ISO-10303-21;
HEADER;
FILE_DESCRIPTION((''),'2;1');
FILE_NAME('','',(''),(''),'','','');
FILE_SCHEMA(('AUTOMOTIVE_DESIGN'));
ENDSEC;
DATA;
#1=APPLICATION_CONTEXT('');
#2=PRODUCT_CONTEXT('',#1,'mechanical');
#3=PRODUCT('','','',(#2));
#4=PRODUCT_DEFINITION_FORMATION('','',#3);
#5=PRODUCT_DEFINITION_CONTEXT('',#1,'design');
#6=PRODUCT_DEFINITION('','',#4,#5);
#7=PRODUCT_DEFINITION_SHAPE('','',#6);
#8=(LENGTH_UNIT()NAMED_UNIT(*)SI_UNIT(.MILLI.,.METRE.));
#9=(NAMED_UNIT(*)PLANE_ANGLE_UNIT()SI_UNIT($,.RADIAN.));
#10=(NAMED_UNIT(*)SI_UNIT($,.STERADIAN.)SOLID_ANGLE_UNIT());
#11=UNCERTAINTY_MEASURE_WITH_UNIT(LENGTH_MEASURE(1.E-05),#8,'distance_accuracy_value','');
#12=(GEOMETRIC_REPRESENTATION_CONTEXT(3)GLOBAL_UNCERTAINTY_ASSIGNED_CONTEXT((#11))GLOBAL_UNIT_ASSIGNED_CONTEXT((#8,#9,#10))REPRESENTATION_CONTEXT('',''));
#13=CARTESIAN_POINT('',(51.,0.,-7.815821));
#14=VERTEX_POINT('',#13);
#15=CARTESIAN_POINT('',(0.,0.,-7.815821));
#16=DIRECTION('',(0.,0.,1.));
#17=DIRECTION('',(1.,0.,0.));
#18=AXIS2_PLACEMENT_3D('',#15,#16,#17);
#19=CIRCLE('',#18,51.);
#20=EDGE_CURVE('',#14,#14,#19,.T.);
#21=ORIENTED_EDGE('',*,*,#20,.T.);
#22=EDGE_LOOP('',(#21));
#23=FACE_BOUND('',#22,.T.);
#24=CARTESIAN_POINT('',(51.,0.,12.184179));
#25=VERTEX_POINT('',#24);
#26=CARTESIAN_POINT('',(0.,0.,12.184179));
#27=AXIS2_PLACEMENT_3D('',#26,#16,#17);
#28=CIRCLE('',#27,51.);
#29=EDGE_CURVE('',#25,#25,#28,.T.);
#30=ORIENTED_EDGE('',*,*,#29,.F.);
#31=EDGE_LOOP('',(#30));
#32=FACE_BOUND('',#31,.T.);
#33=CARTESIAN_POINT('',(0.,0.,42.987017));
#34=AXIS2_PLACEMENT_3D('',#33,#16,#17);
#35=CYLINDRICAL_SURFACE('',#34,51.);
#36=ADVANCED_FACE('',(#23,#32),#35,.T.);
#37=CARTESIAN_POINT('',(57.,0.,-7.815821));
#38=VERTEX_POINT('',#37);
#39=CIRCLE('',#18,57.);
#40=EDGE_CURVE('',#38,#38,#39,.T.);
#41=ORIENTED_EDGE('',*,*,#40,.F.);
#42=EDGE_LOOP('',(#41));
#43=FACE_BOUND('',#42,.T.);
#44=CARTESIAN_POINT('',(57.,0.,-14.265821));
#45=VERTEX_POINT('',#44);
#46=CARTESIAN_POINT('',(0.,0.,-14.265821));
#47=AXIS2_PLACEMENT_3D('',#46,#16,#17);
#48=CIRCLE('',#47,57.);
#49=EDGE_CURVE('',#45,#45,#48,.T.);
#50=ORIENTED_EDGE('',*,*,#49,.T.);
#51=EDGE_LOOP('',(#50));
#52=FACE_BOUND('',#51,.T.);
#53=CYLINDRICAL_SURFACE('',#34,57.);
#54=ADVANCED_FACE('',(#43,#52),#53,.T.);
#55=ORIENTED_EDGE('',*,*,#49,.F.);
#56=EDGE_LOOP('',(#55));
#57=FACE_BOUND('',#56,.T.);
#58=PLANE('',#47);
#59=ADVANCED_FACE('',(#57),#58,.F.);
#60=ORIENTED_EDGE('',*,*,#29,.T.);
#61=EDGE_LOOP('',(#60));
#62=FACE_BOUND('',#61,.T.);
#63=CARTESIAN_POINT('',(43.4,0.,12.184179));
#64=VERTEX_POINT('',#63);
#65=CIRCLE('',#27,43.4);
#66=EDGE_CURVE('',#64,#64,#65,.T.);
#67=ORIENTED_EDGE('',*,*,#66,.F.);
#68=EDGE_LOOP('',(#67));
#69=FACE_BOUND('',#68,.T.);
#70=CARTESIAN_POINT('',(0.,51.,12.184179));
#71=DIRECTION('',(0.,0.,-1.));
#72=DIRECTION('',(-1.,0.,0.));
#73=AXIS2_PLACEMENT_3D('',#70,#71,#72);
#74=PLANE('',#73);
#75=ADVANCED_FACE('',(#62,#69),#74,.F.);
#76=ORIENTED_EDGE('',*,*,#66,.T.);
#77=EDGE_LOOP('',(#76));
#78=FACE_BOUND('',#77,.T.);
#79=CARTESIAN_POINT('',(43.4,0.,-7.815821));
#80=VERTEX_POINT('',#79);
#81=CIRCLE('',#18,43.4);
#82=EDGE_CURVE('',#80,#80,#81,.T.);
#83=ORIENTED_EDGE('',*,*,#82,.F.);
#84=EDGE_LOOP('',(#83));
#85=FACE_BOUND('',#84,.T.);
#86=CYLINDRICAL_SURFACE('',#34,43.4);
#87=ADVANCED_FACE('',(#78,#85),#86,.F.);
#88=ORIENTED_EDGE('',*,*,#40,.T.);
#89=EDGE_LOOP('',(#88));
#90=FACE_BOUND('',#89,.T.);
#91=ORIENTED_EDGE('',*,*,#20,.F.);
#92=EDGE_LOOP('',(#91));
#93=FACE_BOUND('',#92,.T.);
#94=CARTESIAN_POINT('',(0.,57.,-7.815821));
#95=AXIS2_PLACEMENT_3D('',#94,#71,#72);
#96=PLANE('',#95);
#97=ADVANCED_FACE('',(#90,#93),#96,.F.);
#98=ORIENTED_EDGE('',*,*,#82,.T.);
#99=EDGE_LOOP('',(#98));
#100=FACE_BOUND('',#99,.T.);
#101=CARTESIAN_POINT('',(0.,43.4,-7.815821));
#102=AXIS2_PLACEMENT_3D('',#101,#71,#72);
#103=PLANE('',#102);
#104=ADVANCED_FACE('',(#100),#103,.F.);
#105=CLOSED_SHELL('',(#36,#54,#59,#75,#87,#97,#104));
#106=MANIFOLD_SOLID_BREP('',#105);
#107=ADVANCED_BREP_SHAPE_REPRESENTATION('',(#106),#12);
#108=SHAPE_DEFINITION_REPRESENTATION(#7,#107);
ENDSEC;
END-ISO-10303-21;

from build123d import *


with BuildPart() as part:
    # Sketch1 → Revolve1 (revolve)
    with BuildSketch(Plane(origin=(0, 0, 0), x_dir=(0, 0, -1), z_dir=(1, 0, 0))):
        Polygon((14.265821229, 0), (14.265821229, 57), (7.815821229, 57), (7.815821229, 51), (-12.184178771, 51), (-12.184178771, 43.4), (7.815821229, 43.4), (7.815821229, 0), align=None)
    revolve(axis=Axis((0, 0, 42.98701676), (0, 0, -1)))


solid = part.part
